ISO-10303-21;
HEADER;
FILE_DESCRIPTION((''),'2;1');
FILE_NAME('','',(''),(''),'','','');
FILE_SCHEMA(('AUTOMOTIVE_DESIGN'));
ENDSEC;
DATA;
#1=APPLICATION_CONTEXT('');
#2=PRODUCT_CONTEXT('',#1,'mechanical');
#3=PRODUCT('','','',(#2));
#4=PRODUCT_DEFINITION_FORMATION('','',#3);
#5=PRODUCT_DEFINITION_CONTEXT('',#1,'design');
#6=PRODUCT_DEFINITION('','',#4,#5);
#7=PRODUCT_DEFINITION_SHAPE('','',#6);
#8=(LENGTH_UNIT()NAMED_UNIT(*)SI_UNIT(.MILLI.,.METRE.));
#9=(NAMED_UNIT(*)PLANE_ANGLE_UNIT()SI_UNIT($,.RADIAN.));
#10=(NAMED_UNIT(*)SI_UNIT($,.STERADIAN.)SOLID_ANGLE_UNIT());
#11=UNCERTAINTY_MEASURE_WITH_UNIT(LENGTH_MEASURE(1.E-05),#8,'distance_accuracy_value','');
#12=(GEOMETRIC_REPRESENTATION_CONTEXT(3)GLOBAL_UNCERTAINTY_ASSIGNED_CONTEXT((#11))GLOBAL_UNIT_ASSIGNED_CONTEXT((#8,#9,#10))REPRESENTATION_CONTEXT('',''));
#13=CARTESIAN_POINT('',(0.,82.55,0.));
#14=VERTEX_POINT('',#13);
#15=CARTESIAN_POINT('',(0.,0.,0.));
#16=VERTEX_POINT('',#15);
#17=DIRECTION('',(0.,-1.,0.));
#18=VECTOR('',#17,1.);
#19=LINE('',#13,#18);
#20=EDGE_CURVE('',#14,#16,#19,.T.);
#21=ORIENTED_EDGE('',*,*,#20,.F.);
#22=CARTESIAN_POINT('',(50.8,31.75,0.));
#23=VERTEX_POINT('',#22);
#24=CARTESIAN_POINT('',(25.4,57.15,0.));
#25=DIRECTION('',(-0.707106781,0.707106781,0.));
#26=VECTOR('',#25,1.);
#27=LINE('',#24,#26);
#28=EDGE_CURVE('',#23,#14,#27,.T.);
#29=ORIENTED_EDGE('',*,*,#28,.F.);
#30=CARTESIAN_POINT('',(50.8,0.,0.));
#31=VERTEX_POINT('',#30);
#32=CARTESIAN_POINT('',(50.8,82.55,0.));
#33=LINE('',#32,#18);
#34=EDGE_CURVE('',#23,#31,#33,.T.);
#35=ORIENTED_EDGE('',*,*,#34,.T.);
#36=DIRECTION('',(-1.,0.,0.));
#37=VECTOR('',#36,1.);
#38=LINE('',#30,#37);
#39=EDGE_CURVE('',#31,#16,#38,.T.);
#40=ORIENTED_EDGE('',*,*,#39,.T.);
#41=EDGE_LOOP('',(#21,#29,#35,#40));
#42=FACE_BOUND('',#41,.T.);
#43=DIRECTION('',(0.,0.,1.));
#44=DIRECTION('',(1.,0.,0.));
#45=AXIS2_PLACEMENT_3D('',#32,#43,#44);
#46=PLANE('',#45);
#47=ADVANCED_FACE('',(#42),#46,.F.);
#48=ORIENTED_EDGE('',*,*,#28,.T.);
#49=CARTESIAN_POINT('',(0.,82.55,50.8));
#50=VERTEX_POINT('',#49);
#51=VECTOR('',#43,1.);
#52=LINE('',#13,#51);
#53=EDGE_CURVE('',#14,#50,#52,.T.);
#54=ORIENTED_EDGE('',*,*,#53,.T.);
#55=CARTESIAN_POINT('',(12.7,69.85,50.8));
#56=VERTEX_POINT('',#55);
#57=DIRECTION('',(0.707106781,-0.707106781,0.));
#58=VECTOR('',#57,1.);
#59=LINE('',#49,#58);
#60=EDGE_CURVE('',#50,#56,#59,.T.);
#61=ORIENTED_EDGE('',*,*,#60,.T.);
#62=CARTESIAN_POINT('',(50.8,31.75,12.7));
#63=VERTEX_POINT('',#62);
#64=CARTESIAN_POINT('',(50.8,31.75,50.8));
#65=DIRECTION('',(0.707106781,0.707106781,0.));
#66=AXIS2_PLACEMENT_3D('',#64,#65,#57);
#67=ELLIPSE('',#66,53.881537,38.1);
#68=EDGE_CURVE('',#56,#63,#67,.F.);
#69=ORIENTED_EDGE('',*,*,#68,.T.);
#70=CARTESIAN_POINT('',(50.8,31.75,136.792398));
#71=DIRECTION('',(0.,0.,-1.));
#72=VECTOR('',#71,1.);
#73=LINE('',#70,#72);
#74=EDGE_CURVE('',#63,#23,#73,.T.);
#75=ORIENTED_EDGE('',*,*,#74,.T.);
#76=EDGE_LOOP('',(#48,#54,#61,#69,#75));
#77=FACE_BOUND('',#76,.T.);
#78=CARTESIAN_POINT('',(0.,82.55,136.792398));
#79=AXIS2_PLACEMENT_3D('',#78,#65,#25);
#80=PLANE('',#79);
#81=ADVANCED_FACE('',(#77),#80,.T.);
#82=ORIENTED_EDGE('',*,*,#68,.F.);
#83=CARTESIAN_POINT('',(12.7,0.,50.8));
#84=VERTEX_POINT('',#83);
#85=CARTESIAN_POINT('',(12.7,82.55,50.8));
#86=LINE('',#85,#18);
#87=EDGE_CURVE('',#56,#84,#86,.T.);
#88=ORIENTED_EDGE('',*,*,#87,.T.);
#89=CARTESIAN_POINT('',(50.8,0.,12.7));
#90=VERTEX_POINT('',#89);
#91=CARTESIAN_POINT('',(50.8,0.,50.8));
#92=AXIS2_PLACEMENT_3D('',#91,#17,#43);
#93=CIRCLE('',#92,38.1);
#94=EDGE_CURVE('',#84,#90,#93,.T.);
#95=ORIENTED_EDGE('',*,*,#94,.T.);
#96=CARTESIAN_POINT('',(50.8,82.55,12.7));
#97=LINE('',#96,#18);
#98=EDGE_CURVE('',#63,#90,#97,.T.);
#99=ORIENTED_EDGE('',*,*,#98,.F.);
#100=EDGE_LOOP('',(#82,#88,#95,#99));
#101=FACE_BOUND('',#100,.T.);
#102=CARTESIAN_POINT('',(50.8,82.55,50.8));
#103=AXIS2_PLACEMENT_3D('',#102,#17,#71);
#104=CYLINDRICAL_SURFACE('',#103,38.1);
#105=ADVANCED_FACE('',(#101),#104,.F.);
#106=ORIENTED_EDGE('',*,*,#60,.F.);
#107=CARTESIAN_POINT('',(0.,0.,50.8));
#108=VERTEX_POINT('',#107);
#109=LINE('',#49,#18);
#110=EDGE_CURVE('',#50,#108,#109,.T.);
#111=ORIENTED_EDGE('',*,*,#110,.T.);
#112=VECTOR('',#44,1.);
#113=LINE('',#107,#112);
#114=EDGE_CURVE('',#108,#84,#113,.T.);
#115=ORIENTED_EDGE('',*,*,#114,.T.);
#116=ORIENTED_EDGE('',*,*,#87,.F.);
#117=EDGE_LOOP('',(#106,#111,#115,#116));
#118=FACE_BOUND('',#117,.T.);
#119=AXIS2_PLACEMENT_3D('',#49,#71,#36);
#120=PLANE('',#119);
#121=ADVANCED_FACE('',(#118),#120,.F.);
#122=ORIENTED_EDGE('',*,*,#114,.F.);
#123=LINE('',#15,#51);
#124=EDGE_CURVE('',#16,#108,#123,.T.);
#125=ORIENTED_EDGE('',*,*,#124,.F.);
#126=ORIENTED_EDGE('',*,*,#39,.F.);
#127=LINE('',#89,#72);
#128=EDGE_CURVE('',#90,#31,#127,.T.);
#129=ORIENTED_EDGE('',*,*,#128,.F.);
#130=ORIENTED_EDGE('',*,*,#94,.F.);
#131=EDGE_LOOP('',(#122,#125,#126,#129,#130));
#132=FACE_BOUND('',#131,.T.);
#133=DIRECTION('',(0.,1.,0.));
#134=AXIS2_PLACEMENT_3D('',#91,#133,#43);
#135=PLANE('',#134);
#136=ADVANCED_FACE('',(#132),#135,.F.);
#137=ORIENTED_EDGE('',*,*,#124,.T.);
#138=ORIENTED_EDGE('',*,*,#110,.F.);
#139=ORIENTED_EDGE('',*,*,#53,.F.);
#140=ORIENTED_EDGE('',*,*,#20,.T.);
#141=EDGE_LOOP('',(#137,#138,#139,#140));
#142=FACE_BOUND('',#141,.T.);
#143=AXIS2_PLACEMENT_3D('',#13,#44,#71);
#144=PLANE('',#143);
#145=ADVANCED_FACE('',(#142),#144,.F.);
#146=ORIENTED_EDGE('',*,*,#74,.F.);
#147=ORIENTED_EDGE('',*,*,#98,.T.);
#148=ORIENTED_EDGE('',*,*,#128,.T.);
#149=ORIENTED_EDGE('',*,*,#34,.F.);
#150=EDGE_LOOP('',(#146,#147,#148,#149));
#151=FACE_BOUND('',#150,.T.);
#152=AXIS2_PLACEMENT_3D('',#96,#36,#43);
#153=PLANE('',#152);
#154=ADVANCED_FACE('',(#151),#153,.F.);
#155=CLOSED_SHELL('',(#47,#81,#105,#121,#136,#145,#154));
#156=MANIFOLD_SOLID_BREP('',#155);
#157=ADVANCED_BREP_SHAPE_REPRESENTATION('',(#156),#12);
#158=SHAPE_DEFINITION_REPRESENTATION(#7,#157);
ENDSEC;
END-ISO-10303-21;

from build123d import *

# Parameters (mm, degrees)
BOSS_EXTRUDE1_DEPTH     = 82.55
CUT_EXTRUDE1_DEPTH      = 110.433918417
CUT_EXTRUDE1_DEPTH_BACK = 110.433918417


with BuildPart() as part:
    # Sketch1 → Boss-Extrude1 (new body)
    with BuildSketch(Plane(origin=(0, 0, 0), x_dir=(1, 0, 0), z_dir=(0, 1, 0))):
        with BuildLine():
            Line((0, 0), (0, -50.8))
            Line((0, -50.8), (12.7, -50.8))
            ThreePointArc((12.7, -50.8), (23.859231637, -23.859231637), (50.8, -12.7))
            Line((50.8, -12.7), (50.8, 0))
            Line((50.8, 0), (0, 0))
        make_face()
    extrude(amount=BOSS_EXTRUDE1_DEPTH)

    # Sketch2 → Cut-Extrude1 (cut, two sides: drawn at the far end of the back side and taken through both)
    with BuildSketch(Plane.XY.offset(-CUT_EXTRUDE1_DEPTH_BACK)):
        Polygon((-144.148728282, 226.698728282), (0, 82.55), (50.8, 31.75), (194.948728282, -112.398728282), (483.246184846, 175.898728282), (144.148728282, 514.996184846), align=None)
    extrude(amount=CUT_EXTRUDE1_DEPTH + CUT_EXTRUDE1_DEPTH_BACK, mode=Mode.SUBTRACT)


solid = part.part
